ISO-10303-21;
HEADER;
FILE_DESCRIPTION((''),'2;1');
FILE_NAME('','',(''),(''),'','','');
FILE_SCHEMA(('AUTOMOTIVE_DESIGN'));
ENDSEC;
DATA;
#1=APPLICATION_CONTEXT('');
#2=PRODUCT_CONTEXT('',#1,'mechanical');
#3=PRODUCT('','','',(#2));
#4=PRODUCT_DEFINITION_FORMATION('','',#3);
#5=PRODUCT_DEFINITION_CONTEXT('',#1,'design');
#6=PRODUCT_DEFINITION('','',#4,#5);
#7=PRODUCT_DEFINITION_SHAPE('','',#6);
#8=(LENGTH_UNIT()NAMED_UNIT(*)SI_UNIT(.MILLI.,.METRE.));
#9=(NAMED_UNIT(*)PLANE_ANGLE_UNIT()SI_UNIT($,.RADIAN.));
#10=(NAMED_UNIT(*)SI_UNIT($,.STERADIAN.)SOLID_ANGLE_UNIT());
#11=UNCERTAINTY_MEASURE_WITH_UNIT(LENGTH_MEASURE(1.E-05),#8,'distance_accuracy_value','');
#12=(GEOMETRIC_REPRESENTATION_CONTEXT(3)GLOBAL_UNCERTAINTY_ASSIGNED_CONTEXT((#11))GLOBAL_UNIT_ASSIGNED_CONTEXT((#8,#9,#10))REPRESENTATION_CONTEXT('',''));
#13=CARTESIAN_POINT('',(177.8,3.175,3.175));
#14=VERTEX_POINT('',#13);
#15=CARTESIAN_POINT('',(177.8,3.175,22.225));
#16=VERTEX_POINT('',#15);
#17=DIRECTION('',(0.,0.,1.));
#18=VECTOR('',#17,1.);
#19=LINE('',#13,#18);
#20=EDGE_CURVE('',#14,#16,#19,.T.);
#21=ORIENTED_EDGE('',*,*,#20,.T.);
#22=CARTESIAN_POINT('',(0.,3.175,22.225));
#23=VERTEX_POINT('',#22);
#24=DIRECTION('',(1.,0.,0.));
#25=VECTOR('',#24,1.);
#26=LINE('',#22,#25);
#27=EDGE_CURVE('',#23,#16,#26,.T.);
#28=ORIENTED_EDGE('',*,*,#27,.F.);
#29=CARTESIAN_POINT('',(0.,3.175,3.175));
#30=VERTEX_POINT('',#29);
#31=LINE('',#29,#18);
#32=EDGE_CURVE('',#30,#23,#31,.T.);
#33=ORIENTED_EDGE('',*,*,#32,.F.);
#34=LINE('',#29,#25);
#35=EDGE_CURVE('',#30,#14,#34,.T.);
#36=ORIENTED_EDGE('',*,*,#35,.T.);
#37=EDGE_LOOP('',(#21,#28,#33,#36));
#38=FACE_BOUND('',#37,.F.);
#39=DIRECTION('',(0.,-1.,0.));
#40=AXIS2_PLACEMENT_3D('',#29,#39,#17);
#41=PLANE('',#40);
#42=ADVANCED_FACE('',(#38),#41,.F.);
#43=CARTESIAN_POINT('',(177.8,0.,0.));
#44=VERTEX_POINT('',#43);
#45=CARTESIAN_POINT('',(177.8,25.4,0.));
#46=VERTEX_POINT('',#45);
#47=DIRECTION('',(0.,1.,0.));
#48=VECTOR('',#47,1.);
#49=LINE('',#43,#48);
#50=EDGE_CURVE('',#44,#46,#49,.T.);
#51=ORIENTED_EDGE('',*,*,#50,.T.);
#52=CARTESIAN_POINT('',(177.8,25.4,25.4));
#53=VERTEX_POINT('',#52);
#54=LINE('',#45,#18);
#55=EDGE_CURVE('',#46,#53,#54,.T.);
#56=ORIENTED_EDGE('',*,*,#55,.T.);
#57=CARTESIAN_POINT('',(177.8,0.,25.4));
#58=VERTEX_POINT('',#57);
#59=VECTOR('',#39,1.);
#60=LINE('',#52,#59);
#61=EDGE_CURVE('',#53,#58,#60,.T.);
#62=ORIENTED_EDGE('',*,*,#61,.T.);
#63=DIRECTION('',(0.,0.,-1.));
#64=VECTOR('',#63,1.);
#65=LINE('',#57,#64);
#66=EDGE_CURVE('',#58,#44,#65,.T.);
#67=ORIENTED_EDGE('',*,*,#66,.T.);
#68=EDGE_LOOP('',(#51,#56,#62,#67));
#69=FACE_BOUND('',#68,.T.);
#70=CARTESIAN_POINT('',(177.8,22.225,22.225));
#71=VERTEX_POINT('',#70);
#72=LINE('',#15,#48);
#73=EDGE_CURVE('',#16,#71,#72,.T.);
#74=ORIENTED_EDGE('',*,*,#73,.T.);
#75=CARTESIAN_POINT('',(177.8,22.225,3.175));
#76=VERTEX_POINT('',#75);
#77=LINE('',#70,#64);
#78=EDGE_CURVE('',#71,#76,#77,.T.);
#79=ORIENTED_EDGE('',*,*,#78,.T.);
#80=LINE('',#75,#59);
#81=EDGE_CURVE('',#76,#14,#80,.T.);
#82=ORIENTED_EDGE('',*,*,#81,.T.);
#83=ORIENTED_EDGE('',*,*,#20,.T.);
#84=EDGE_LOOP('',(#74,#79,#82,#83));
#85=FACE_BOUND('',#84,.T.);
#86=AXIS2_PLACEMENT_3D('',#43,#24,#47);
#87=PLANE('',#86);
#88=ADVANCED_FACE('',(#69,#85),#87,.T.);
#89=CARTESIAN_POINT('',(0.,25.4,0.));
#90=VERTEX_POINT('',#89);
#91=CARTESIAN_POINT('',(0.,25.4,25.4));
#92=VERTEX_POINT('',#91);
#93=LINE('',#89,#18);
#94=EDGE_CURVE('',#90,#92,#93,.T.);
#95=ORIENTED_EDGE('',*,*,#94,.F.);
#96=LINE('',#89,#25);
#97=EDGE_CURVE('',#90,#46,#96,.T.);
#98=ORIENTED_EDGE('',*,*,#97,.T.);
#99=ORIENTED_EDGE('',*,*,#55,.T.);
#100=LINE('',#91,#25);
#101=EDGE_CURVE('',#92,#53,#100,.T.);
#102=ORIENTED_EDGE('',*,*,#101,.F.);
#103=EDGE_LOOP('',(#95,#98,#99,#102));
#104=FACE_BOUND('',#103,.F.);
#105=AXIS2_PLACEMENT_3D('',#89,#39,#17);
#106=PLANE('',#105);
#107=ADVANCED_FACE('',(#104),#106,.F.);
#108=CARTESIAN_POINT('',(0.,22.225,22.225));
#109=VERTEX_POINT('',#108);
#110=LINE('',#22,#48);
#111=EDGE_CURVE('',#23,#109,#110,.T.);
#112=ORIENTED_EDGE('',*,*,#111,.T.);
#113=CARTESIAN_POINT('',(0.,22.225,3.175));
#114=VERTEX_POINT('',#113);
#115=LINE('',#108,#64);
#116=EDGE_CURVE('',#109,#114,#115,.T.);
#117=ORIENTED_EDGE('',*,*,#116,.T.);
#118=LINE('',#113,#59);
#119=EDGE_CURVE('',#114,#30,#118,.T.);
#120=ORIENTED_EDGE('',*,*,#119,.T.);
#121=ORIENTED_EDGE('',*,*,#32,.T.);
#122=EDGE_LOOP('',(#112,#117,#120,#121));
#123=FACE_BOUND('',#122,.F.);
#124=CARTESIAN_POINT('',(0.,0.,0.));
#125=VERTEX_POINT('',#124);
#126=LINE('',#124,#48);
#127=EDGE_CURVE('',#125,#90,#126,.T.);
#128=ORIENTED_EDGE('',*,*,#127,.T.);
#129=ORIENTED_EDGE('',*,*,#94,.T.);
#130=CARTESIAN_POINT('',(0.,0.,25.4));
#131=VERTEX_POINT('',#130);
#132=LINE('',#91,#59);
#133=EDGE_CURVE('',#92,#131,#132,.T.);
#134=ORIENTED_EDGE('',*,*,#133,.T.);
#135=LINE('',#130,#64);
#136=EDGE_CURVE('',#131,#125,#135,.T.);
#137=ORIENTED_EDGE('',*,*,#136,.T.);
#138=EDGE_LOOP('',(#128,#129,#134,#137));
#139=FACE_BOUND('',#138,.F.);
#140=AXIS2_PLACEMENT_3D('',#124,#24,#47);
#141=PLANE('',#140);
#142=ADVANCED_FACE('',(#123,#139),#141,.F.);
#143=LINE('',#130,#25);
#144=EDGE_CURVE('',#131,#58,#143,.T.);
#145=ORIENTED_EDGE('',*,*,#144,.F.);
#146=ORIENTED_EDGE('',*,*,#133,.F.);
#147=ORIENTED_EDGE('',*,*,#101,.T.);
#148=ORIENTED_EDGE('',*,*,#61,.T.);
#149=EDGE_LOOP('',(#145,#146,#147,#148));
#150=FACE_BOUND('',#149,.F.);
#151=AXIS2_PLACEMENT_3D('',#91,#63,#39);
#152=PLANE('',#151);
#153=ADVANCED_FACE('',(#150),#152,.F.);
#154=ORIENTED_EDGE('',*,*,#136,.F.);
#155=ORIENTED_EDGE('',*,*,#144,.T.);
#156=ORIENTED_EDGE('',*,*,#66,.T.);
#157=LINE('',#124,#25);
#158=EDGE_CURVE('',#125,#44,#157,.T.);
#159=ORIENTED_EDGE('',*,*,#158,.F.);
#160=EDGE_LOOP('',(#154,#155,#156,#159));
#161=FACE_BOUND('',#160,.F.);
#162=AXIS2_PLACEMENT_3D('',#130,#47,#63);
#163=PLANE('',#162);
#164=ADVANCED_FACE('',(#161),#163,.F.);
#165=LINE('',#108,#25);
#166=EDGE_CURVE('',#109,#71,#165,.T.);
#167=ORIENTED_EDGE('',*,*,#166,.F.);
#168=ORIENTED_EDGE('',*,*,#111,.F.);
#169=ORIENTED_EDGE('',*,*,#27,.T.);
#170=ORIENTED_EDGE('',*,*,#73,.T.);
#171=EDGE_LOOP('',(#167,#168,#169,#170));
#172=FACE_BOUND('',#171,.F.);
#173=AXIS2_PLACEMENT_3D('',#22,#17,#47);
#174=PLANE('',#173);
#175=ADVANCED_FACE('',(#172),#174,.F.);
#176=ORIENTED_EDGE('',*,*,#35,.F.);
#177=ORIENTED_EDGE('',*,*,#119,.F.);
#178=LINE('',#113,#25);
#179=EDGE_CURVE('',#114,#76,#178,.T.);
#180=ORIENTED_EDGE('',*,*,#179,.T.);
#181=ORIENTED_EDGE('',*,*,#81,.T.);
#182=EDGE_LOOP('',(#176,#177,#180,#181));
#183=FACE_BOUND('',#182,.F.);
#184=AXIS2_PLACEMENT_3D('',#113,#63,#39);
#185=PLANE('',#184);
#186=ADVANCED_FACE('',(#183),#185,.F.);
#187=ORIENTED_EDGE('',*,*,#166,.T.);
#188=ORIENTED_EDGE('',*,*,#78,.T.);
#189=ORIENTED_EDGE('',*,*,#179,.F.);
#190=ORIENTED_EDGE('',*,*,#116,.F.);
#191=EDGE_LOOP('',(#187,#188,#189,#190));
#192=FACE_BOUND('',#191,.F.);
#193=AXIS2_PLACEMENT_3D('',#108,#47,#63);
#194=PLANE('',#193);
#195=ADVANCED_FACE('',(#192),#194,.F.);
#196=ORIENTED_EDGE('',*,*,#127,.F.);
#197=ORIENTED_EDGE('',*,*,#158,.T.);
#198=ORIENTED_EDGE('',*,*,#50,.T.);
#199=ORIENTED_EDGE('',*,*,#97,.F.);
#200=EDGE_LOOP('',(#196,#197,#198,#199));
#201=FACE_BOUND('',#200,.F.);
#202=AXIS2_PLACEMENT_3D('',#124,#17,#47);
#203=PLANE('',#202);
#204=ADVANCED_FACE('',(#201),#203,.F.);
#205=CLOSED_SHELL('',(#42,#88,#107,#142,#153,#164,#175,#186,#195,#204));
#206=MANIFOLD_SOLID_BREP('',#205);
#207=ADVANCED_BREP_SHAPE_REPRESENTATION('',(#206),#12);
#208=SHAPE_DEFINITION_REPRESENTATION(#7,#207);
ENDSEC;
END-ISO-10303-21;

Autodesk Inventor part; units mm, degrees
ref_plane "YZ Plane" through (0, 0, 0) normal (1, 0, 0) x (0, 1, 0)
ref_plane "XZ Plane" through (0, 0, 0) normal (0, 1, 0) x (-1, 0, 0)
ref_plane "XY Plane" through (0, 0, 0) normal (0, 0, 1) x (1, 0, 0)
sketch "Sketch1" plane through (0, 0, 0) normal (1, 0, 0) x (0, 1, 0)
  line L0 (0, 0) -> (25.4, 0)
  line L1 (25.4, 0) -> (25.4, 25.4)
  line L2 (25.4, 25.4) -> (0, 25.4)
  line L3 (0, 25.4) -> (0, 0)
  line L4 (3.175, 22.225) -> (22.225, 22.225)
  line L5 (22.225, 22.225) -> (22.225, 3.175)
  line L6 (22.225, 3.175) -> (3.175, 3.175)
  line L7 (3.175, 3.175) -> (3.175, 22.225)
  dimension "d0" = 25.4
  dimension "d1" = 25.4
  dimension "d2" = 3.175
extrude "Extrusion1" add sketch "Sketch1" along normal blind 177.8
properties part number "Box 7 inch" material "Aluminum 6061"
